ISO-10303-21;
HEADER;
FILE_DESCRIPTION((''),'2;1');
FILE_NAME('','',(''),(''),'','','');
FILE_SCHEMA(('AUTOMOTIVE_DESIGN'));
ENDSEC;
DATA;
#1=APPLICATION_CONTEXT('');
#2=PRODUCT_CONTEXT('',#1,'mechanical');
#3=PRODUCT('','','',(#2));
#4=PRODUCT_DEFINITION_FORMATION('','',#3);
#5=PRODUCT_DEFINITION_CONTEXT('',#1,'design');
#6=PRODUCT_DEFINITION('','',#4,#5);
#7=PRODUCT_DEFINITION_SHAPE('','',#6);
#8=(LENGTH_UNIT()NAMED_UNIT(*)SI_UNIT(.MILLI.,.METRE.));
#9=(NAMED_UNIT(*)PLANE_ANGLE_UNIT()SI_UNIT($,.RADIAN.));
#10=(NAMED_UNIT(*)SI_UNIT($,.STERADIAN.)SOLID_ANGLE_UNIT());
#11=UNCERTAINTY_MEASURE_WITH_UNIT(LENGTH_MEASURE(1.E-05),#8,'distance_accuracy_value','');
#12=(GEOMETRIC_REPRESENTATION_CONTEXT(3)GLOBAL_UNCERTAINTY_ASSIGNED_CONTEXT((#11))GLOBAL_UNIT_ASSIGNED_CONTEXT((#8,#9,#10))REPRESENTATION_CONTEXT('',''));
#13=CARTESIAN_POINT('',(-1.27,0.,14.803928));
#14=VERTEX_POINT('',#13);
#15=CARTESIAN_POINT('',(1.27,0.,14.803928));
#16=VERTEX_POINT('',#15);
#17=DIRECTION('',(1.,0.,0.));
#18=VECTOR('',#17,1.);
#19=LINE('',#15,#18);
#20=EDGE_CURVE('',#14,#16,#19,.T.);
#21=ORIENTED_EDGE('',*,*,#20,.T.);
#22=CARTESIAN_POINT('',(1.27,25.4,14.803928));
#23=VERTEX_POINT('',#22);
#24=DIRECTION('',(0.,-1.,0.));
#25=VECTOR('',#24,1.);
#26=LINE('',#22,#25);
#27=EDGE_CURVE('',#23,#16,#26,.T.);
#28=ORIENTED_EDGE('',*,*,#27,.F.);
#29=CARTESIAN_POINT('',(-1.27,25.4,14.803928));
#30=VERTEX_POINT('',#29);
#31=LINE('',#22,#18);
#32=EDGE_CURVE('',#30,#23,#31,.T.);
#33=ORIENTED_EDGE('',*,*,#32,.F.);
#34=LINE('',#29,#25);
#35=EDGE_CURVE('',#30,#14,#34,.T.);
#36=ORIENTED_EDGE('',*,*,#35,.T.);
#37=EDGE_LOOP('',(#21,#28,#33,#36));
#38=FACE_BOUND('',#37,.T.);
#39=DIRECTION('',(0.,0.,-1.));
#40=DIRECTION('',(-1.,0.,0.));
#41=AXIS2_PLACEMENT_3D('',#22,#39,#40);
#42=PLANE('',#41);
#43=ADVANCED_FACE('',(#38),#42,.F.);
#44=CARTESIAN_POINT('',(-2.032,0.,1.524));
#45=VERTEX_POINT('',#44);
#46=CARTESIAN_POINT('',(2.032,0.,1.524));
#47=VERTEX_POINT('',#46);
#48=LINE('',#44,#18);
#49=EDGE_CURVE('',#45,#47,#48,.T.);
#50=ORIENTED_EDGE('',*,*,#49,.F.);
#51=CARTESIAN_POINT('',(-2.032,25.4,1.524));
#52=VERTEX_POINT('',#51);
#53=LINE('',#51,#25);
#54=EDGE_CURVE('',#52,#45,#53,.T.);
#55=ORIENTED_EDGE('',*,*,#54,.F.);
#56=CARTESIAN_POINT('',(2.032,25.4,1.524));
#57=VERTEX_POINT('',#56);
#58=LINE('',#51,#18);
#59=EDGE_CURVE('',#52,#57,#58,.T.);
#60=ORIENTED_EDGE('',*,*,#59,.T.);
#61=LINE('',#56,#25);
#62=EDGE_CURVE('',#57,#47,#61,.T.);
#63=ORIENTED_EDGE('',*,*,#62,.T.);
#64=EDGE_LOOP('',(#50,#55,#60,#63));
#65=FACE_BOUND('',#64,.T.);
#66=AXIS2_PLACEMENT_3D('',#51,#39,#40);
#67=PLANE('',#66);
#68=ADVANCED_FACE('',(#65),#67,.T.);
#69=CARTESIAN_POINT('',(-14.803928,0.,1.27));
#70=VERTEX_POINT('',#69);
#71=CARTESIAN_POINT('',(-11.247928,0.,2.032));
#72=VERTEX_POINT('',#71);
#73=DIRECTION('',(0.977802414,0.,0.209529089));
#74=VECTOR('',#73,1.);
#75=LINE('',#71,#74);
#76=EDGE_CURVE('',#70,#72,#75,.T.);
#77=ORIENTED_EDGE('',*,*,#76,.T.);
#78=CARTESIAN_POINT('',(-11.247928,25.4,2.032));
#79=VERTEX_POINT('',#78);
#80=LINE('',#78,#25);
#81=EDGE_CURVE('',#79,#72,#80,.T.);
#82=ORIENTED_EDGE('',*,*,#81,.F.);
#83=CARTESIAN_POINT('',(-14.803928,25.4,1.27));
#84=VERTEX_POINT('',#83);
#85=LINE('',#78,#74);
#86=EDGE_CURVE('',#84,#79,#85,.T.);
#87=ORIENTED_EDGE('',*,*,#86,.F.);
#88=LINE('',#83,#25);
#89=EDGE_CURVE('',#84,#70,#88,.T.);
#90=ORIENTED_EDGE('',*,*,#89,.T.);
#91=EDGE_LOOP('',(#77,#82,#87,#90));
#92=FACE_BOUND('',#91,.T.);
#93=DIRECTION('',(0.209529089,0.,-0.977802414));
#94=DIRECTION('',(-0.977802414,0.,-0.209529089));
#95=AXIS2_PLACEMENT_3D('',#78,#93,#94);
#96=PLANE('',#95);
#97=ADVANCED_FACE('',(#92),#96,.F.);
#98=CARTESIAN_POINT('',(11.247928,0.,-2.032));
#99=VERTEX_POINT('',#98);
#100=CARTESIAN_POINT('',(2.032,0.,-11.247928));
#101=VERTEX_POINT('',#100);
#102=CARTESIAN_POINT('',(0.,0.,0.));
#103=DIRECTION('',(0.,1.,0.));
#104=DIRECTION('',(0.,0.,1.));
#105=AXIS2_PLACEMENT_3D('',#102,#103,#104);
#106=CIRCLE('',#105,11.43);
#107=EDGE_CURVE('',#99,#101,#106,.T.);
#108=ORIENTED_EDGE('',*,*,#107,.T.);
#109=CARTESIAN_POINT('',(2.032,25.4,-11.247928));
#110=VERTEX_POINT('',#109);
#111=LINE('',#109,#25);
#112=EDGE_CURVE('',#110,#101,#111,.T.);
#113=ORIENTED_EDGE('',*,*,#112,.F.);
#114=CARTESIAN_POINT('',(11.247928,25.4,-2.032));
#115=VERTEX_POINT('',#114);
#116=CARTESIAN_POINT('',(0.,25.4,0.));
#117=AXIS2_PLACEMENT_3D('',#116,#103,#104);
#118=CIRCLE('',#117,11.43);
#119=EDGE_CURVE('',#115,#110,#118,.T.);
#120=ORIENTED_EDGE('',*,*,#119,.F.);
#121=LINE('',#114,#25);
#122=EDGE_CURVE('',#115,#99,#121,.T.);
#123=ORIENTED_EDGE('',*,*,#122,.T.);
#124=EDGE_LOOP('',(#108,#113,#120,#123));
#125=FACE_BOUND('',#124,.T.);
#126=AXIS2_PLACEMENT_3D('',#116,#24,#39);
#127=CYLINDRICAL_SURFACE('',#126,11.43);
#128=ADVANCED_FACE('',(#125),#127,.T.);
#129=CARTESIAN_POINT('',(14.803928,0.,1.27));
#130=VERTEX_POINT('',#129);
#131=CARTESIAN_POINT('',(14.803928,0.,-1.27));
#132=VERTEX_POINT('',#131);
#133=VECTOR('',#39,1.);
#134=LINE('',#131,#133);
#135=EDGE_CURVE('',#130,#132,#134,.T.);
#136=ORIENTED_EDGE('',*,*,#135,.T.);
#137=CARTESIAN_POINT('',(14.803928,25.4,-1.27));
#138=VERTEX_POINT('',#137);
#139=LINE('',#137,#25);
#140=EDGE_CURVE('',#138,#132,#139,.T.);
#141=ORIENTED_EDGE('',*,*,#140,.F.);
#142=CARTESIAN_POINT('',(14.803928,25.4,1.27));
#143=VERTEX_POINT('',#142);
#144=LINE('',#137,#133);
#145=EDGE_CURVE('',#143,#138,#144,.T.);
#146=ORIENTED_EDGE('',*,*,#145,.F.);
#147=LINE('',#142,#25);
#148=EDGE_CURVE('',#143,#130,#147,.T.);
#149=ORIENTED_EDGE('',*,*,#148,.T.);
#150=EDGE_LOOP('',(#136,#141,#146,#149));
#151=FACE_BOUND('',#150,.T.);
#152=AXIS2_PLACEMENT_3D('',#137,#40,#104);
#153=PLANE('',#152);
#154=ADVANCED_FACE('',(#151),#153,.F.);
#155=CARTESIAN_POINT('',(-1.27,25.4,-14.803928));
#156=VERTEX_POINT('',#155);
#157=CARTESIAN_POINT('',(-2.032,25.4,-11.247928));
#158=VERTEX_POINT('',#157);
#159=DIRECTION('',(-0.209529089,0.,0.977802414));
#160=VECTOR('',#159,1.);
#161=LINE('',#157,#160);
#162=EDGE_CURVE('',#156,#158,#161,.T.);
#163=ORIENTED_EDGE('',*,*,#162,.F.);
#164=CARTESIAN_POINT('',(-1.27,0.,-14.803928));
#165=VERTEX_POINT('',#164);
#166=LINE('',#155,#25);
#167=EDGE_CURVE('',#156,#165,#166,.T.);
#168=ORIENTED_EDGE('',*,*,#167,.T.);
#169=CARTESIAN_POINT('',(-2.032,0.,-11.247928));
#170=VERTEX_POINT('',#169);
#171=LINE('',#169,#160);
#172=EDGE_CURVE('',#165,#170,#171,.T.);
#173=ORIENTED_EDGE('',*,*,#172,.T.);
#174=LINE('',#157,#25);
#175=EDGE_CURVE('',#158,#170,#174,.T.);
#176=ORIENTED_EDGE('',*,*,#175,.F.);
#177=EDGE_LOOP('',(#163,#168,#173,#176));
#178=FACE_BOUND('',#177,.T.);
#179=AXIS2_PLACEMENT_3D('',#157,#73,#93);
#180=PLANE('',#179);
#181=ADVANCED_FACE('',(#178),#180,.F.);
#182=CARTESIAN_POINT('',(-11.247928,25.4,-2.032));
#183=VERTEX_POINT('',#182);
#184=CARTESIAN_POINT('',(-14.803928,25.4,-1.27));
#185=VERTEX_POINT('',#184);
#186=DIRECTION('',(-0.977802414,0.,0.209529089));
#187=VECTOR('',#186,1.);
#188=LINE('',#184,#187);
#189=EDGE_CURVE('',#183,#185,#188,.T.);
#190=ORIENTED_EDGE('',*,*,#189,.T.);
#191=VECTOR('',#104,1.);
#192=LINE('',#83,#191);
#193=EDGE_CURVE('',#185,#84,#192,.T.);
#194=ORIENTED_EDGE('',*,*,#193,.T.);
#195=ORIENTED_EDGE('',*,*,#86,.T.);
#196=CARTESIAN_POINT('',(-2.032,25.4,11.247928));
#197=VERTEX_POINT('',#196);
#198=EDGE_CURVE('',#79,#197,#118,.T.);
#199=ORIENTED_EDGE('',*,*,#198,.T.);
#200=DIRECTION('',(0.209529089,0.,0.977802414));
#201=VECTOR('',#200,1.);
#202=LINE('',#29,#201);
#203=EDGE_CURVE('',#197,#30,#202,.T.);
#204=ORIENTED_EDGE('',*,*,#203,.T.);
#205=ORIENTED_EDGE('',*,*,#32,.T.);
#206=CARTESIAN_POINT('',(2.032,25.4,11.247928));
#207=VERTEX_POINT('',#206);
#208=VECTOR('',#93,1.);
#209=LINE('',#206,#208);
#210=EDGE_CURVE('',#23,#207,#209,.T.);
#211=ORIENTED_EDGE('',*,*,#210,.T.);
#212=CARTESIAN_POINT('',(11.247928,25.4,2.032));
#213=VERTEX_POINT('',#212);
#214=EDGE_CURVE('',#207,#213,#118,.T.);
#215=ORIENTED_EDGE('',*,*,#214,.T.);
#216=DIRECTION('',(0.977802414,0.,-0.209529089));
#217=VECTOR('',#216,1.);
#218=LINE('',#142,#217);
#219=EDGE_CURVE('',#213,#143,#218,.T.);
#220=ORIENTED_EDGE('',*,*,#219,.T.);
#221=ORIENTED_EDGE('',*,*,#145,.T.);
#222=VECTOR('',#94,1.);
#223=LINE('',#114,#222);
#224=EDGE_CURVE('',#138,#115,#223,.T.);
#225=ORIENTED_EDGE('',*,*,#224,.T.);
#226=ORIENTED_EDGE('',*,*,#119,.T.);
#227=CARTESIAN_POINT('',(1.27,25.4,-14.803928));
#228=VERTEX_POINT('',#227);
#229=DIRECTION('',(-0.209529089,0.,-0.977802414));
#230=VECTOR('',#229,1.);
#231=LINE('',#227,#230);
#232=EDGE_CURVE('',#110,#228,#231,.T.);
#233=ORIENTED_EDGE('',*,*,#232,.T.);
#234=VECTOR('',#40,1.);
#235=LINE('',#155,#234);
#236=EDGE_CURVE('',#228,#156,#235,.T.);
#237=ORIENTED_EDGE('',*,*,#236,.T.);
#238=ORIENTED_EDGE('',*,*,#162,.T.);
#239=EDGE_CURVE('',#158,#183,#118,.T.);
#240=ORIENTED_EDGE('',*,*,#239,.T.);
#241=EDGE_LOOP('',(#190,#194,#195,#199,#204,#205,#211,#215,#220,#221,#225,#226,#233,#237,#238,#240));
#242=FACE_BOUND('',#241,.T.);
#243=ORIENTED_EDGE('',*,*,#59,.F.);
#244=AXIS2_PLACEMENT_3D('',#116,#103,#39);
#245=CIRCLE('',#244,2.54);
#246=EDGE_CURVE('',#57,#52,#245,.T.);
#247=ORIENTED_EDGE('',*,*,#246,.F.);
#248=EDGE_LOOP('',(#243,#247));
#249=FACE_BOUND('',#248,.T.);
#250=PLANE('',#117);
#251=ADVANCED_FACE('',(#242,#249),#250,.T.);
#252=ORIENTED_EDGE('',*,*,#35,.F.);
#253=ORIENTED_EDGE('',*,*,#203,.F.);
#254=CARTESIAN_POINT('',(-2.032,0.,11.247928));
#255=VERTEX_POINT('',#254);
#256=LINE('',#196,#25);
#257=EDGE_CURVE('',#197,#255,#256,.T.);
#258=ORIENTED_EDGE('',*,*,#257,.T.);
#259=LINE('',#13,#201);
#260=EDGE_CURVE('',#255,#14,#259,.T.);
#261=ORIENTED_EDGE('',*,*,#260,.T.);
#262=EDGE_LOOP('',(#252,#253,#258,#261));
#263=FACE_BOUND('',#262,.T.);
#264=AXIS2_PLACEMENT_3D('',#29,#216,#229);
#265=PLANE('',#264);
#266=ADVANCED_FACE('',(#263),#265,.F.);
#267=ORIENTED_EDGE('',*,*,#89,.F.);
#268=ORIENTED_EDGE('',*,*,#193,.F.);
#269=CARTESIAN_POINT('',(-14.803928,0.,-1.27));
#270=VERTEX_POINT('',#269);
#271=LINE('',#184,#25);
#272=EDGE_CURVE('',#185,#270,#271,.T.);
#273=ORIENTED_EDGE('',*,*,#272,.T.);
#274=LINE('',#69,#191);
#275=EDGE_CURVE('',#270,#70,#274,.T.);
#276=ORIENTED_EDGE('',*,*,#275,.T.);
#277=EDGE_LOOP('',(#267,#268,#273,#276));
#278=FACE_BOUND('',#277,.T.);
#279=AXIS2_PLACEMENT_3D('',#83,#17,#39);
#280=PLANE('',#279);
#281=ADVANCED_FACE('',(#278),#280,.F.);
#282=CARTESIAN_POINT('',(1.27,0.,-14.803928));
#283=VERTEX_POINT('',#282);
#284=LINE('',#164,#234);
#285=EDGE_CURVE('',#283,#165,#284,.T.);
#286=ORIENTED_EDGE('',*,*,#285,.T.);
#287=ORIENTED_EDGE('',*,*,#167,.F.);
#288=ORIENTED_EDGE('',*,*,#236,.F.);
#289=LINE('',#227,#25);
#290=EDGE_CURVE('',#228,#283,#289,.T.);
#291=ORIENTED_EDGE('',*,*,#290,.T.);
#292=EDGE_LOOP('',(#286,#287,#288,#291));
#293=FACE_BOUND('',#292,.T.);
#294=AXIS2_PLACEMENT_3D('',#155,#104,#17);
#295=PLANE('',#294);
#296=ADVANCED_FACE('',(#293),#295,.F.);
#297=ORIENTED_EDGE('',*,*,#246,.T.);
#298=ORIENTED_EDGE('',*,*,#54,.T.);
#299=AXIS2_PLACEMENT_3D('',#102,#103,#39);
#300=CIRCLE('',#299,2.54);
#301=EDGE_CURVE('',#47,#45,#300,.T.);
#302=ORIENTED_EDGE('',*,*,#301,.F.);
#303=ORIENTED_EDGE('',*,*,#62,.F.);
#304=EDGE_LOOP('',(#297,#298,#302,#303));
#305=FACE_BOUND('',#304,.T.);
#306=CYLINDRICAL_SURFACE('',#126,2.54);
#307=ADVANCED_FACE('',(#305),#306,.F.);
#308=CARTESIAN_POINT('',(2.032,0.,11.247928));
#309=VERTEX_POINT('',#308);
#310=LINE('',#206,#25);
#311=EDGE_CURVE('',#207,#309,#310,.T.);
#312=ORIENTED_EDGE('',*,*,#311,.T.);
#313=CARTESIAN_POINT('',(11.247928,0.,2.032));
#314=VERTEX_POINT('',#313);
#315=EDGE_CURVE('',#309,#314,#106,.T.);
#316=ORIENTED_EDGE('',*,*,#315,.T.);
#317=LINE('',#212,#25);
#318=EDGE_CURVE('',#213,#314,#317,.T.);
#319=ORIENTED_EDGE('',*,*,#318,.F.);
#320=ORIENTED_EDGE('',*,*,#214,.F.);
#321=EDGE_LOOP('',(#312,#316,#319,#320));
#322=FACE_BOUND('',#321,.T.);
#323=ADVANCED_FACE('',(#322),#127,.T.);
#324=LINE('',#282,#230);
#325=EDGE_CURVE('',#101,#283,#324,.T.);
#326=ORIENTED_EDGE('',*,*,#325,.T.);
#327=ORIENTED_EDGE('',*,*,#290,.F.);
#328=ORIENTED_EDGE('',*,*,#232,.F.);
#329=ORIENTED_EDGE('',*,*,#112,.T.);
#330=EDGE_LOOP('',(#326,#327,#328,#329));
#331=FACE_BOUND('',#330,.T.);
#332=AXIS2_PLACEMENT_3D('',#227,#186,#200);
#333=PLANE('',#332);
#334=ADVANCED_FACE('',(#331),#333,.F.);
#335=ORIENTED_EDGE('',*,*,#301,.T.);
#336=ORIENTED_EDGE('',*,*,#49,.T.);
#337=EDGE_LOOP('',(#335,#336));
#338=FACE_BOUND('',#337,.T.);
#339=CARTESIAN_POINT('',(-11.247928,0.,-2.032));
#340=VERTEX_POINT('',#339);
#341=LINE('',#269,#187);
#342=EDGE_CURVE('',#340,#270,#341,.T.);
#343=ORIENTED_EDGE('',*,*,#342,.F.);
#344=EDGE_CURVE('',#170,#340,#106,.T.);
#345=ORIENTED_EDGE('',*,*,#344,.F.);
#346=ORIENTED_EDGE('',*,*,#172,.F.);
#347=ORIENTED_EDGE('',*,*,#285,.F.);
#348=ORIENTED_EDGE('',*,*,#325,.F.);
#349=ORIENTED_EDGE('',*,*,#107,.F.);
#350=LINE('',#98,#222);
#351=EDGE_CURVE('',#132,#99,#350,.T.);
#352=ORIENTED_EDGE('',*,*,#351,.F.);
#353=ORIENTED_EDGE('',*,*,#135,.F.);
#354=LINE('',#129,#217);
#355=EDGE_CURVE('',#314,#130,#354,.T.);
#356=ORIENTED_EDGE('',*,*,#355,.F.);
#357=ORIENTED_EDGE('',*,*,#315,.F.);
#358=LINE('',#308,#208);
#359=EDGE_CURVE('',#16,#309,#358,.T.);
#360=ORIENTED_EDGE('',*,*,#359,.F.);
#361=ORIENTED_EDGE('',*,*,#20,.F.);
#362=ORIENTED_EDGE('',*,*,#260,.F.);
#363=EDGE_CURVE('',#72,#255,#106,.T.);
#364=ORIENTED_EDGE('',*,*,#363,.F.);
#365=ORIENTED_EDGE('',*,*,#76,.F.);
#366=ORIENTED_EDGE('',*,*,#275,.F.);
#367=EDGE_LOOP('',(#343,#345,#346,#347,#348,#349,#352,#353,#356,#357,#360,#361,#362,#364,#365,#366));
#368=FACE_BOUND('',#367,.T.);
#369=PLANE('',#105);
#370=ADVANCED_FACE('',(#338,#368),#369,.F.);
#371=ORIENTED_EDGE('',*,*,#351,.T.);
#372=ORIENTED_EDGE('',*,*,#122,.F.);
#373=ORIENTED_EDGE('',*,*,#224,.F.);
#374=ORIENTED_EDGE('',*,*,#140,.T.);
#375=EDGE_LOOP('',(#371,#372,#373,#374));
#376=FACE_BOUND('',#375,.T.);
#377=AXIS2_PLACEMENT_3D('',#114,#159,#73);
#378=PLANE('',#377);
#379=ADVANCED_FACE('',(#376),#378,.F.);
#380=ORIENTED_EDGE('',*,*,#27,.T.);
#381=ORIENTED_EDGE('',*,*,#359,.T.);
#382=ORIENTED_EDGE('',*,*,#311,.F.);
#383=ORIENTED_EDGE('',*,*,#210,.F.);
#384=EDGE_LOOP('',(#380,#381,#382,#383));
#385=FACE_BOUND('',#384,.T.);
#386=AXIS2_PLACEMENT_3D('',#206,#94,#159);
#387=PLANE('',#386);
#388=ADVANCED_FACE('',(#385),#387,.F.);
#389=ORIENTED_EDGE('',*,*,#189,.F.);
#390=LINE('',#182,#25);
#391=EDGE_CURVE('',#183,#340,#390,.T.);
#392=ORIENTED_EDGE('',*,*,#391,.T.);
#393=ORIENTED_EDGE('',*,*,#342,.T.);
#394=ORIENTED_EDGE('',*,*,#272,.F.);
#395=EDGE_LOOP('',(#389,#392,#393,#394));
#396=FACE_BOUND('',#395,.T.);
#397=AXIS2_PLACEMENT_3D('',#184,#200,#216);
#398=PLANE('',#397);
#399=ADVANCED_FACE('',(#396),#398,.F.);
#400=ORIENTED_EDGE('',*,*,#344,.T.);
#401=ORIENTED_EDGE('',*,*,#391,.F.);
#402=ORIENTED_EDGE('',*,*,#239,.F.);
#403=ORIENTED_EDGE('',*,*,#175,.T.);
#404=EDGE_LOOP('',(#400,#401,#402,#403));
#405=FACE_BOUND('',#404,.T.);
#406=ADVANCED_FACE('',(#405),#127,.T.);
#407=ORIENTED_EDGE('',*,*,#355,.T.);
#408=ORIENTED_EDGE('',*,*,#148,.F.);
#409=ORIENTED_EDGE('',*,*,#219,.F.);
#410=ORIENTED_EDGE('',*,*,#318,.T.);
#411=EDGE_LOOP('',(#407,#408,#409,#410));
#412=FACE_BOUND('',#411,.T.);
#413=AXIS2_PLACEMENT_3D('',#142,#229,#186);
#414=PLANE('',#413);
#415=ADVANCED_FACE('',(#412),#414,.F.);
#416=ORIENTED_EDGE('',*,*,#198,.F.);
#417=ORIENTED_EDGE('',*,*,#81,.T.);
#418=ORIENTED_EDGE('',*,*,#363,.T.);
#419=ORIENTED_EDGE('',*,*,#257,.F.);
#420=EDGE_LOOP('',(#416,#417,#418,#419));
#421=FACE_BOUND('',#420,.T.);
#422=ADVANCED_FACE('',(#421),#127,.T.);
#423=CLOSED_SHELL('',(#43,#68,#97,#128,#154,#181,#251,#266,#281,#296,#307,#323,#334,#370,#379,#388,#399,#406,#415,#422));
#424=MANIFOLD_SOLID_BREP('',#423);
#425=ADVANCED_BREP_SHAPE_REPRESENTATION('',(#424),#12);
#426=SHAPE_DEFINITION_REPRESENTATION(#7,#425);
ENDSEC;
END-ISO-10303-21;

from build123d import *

# Parameters (mm, degrees)
BOSS_EXTRUDE1_DEPTH = 25.4


with BuildPart() as part:
    # Sketch1 → Boss-Extrude1 (new body)
    with BuildSketch(Plane(origin=(0, 0, 0), x_dir=(1, 0, 0), z_dir=(0, 1, 0))):
        with BuildLine():
            Line((-2.032, 11.247927631), (-1.27, 14.803927631))
            Line((-1.27, 14.803927631), (1.27, 14.803927631))
            Line((1.27, 14.803927631), (2.032, 11.247927631))
            ThreePointArc((2.032, 11.247927631), (8.082230509, 8.082230509), (11.247927631, 2.032))
            Line((11.247927631, 2.032), (14.803927631, 1.27))
            Line((14.803927631, 1.27), (14.803927631, -1.27))
            Line((14.803927631, -1.27), (11.247927631, -2.032))
            ThreePointArc((11.247927631, -2.032), (8.082230509, -8.082230509), (2.032, -11.247927631))
            Line((2.032, -11.247927631), (1.27, -14.803927631))
            Line((1.27, -14.803927631), (-1.27, -14.803927631))
            Line((-1.27, -14.803927631), (-2.032, -11.247927631))
            ThreePointArc((-2.032, -11.247927631), (-8.082230509, -8.082230509), (-11.247927631, -2.032))
            Line((-11.247927631, -2.032), (-14.803927631, -1.27))
            Line((-14.803927631, -1.27), (-14.803927631, 1.27))
            Line((-14.803927631, 1.27), (-11.247927631, 2.032))
            ThreePointArc((-11.247927631, 2.032), (-8.082230509, 8.082230509), (-2.032, 11.247927631))
        make_face()
        with BuildLine():
            Line((-2.032, -1.524), (2.032, -1.524))
            ThreePointArc((2.032, -1.524), (0, 2.54), (-2.032, -1.524))
        make_face(mode=Mode.SUBTRACT)
    extrude(amount=BOSS_EXTRUDE1_DEPTH)


solid = part.part
